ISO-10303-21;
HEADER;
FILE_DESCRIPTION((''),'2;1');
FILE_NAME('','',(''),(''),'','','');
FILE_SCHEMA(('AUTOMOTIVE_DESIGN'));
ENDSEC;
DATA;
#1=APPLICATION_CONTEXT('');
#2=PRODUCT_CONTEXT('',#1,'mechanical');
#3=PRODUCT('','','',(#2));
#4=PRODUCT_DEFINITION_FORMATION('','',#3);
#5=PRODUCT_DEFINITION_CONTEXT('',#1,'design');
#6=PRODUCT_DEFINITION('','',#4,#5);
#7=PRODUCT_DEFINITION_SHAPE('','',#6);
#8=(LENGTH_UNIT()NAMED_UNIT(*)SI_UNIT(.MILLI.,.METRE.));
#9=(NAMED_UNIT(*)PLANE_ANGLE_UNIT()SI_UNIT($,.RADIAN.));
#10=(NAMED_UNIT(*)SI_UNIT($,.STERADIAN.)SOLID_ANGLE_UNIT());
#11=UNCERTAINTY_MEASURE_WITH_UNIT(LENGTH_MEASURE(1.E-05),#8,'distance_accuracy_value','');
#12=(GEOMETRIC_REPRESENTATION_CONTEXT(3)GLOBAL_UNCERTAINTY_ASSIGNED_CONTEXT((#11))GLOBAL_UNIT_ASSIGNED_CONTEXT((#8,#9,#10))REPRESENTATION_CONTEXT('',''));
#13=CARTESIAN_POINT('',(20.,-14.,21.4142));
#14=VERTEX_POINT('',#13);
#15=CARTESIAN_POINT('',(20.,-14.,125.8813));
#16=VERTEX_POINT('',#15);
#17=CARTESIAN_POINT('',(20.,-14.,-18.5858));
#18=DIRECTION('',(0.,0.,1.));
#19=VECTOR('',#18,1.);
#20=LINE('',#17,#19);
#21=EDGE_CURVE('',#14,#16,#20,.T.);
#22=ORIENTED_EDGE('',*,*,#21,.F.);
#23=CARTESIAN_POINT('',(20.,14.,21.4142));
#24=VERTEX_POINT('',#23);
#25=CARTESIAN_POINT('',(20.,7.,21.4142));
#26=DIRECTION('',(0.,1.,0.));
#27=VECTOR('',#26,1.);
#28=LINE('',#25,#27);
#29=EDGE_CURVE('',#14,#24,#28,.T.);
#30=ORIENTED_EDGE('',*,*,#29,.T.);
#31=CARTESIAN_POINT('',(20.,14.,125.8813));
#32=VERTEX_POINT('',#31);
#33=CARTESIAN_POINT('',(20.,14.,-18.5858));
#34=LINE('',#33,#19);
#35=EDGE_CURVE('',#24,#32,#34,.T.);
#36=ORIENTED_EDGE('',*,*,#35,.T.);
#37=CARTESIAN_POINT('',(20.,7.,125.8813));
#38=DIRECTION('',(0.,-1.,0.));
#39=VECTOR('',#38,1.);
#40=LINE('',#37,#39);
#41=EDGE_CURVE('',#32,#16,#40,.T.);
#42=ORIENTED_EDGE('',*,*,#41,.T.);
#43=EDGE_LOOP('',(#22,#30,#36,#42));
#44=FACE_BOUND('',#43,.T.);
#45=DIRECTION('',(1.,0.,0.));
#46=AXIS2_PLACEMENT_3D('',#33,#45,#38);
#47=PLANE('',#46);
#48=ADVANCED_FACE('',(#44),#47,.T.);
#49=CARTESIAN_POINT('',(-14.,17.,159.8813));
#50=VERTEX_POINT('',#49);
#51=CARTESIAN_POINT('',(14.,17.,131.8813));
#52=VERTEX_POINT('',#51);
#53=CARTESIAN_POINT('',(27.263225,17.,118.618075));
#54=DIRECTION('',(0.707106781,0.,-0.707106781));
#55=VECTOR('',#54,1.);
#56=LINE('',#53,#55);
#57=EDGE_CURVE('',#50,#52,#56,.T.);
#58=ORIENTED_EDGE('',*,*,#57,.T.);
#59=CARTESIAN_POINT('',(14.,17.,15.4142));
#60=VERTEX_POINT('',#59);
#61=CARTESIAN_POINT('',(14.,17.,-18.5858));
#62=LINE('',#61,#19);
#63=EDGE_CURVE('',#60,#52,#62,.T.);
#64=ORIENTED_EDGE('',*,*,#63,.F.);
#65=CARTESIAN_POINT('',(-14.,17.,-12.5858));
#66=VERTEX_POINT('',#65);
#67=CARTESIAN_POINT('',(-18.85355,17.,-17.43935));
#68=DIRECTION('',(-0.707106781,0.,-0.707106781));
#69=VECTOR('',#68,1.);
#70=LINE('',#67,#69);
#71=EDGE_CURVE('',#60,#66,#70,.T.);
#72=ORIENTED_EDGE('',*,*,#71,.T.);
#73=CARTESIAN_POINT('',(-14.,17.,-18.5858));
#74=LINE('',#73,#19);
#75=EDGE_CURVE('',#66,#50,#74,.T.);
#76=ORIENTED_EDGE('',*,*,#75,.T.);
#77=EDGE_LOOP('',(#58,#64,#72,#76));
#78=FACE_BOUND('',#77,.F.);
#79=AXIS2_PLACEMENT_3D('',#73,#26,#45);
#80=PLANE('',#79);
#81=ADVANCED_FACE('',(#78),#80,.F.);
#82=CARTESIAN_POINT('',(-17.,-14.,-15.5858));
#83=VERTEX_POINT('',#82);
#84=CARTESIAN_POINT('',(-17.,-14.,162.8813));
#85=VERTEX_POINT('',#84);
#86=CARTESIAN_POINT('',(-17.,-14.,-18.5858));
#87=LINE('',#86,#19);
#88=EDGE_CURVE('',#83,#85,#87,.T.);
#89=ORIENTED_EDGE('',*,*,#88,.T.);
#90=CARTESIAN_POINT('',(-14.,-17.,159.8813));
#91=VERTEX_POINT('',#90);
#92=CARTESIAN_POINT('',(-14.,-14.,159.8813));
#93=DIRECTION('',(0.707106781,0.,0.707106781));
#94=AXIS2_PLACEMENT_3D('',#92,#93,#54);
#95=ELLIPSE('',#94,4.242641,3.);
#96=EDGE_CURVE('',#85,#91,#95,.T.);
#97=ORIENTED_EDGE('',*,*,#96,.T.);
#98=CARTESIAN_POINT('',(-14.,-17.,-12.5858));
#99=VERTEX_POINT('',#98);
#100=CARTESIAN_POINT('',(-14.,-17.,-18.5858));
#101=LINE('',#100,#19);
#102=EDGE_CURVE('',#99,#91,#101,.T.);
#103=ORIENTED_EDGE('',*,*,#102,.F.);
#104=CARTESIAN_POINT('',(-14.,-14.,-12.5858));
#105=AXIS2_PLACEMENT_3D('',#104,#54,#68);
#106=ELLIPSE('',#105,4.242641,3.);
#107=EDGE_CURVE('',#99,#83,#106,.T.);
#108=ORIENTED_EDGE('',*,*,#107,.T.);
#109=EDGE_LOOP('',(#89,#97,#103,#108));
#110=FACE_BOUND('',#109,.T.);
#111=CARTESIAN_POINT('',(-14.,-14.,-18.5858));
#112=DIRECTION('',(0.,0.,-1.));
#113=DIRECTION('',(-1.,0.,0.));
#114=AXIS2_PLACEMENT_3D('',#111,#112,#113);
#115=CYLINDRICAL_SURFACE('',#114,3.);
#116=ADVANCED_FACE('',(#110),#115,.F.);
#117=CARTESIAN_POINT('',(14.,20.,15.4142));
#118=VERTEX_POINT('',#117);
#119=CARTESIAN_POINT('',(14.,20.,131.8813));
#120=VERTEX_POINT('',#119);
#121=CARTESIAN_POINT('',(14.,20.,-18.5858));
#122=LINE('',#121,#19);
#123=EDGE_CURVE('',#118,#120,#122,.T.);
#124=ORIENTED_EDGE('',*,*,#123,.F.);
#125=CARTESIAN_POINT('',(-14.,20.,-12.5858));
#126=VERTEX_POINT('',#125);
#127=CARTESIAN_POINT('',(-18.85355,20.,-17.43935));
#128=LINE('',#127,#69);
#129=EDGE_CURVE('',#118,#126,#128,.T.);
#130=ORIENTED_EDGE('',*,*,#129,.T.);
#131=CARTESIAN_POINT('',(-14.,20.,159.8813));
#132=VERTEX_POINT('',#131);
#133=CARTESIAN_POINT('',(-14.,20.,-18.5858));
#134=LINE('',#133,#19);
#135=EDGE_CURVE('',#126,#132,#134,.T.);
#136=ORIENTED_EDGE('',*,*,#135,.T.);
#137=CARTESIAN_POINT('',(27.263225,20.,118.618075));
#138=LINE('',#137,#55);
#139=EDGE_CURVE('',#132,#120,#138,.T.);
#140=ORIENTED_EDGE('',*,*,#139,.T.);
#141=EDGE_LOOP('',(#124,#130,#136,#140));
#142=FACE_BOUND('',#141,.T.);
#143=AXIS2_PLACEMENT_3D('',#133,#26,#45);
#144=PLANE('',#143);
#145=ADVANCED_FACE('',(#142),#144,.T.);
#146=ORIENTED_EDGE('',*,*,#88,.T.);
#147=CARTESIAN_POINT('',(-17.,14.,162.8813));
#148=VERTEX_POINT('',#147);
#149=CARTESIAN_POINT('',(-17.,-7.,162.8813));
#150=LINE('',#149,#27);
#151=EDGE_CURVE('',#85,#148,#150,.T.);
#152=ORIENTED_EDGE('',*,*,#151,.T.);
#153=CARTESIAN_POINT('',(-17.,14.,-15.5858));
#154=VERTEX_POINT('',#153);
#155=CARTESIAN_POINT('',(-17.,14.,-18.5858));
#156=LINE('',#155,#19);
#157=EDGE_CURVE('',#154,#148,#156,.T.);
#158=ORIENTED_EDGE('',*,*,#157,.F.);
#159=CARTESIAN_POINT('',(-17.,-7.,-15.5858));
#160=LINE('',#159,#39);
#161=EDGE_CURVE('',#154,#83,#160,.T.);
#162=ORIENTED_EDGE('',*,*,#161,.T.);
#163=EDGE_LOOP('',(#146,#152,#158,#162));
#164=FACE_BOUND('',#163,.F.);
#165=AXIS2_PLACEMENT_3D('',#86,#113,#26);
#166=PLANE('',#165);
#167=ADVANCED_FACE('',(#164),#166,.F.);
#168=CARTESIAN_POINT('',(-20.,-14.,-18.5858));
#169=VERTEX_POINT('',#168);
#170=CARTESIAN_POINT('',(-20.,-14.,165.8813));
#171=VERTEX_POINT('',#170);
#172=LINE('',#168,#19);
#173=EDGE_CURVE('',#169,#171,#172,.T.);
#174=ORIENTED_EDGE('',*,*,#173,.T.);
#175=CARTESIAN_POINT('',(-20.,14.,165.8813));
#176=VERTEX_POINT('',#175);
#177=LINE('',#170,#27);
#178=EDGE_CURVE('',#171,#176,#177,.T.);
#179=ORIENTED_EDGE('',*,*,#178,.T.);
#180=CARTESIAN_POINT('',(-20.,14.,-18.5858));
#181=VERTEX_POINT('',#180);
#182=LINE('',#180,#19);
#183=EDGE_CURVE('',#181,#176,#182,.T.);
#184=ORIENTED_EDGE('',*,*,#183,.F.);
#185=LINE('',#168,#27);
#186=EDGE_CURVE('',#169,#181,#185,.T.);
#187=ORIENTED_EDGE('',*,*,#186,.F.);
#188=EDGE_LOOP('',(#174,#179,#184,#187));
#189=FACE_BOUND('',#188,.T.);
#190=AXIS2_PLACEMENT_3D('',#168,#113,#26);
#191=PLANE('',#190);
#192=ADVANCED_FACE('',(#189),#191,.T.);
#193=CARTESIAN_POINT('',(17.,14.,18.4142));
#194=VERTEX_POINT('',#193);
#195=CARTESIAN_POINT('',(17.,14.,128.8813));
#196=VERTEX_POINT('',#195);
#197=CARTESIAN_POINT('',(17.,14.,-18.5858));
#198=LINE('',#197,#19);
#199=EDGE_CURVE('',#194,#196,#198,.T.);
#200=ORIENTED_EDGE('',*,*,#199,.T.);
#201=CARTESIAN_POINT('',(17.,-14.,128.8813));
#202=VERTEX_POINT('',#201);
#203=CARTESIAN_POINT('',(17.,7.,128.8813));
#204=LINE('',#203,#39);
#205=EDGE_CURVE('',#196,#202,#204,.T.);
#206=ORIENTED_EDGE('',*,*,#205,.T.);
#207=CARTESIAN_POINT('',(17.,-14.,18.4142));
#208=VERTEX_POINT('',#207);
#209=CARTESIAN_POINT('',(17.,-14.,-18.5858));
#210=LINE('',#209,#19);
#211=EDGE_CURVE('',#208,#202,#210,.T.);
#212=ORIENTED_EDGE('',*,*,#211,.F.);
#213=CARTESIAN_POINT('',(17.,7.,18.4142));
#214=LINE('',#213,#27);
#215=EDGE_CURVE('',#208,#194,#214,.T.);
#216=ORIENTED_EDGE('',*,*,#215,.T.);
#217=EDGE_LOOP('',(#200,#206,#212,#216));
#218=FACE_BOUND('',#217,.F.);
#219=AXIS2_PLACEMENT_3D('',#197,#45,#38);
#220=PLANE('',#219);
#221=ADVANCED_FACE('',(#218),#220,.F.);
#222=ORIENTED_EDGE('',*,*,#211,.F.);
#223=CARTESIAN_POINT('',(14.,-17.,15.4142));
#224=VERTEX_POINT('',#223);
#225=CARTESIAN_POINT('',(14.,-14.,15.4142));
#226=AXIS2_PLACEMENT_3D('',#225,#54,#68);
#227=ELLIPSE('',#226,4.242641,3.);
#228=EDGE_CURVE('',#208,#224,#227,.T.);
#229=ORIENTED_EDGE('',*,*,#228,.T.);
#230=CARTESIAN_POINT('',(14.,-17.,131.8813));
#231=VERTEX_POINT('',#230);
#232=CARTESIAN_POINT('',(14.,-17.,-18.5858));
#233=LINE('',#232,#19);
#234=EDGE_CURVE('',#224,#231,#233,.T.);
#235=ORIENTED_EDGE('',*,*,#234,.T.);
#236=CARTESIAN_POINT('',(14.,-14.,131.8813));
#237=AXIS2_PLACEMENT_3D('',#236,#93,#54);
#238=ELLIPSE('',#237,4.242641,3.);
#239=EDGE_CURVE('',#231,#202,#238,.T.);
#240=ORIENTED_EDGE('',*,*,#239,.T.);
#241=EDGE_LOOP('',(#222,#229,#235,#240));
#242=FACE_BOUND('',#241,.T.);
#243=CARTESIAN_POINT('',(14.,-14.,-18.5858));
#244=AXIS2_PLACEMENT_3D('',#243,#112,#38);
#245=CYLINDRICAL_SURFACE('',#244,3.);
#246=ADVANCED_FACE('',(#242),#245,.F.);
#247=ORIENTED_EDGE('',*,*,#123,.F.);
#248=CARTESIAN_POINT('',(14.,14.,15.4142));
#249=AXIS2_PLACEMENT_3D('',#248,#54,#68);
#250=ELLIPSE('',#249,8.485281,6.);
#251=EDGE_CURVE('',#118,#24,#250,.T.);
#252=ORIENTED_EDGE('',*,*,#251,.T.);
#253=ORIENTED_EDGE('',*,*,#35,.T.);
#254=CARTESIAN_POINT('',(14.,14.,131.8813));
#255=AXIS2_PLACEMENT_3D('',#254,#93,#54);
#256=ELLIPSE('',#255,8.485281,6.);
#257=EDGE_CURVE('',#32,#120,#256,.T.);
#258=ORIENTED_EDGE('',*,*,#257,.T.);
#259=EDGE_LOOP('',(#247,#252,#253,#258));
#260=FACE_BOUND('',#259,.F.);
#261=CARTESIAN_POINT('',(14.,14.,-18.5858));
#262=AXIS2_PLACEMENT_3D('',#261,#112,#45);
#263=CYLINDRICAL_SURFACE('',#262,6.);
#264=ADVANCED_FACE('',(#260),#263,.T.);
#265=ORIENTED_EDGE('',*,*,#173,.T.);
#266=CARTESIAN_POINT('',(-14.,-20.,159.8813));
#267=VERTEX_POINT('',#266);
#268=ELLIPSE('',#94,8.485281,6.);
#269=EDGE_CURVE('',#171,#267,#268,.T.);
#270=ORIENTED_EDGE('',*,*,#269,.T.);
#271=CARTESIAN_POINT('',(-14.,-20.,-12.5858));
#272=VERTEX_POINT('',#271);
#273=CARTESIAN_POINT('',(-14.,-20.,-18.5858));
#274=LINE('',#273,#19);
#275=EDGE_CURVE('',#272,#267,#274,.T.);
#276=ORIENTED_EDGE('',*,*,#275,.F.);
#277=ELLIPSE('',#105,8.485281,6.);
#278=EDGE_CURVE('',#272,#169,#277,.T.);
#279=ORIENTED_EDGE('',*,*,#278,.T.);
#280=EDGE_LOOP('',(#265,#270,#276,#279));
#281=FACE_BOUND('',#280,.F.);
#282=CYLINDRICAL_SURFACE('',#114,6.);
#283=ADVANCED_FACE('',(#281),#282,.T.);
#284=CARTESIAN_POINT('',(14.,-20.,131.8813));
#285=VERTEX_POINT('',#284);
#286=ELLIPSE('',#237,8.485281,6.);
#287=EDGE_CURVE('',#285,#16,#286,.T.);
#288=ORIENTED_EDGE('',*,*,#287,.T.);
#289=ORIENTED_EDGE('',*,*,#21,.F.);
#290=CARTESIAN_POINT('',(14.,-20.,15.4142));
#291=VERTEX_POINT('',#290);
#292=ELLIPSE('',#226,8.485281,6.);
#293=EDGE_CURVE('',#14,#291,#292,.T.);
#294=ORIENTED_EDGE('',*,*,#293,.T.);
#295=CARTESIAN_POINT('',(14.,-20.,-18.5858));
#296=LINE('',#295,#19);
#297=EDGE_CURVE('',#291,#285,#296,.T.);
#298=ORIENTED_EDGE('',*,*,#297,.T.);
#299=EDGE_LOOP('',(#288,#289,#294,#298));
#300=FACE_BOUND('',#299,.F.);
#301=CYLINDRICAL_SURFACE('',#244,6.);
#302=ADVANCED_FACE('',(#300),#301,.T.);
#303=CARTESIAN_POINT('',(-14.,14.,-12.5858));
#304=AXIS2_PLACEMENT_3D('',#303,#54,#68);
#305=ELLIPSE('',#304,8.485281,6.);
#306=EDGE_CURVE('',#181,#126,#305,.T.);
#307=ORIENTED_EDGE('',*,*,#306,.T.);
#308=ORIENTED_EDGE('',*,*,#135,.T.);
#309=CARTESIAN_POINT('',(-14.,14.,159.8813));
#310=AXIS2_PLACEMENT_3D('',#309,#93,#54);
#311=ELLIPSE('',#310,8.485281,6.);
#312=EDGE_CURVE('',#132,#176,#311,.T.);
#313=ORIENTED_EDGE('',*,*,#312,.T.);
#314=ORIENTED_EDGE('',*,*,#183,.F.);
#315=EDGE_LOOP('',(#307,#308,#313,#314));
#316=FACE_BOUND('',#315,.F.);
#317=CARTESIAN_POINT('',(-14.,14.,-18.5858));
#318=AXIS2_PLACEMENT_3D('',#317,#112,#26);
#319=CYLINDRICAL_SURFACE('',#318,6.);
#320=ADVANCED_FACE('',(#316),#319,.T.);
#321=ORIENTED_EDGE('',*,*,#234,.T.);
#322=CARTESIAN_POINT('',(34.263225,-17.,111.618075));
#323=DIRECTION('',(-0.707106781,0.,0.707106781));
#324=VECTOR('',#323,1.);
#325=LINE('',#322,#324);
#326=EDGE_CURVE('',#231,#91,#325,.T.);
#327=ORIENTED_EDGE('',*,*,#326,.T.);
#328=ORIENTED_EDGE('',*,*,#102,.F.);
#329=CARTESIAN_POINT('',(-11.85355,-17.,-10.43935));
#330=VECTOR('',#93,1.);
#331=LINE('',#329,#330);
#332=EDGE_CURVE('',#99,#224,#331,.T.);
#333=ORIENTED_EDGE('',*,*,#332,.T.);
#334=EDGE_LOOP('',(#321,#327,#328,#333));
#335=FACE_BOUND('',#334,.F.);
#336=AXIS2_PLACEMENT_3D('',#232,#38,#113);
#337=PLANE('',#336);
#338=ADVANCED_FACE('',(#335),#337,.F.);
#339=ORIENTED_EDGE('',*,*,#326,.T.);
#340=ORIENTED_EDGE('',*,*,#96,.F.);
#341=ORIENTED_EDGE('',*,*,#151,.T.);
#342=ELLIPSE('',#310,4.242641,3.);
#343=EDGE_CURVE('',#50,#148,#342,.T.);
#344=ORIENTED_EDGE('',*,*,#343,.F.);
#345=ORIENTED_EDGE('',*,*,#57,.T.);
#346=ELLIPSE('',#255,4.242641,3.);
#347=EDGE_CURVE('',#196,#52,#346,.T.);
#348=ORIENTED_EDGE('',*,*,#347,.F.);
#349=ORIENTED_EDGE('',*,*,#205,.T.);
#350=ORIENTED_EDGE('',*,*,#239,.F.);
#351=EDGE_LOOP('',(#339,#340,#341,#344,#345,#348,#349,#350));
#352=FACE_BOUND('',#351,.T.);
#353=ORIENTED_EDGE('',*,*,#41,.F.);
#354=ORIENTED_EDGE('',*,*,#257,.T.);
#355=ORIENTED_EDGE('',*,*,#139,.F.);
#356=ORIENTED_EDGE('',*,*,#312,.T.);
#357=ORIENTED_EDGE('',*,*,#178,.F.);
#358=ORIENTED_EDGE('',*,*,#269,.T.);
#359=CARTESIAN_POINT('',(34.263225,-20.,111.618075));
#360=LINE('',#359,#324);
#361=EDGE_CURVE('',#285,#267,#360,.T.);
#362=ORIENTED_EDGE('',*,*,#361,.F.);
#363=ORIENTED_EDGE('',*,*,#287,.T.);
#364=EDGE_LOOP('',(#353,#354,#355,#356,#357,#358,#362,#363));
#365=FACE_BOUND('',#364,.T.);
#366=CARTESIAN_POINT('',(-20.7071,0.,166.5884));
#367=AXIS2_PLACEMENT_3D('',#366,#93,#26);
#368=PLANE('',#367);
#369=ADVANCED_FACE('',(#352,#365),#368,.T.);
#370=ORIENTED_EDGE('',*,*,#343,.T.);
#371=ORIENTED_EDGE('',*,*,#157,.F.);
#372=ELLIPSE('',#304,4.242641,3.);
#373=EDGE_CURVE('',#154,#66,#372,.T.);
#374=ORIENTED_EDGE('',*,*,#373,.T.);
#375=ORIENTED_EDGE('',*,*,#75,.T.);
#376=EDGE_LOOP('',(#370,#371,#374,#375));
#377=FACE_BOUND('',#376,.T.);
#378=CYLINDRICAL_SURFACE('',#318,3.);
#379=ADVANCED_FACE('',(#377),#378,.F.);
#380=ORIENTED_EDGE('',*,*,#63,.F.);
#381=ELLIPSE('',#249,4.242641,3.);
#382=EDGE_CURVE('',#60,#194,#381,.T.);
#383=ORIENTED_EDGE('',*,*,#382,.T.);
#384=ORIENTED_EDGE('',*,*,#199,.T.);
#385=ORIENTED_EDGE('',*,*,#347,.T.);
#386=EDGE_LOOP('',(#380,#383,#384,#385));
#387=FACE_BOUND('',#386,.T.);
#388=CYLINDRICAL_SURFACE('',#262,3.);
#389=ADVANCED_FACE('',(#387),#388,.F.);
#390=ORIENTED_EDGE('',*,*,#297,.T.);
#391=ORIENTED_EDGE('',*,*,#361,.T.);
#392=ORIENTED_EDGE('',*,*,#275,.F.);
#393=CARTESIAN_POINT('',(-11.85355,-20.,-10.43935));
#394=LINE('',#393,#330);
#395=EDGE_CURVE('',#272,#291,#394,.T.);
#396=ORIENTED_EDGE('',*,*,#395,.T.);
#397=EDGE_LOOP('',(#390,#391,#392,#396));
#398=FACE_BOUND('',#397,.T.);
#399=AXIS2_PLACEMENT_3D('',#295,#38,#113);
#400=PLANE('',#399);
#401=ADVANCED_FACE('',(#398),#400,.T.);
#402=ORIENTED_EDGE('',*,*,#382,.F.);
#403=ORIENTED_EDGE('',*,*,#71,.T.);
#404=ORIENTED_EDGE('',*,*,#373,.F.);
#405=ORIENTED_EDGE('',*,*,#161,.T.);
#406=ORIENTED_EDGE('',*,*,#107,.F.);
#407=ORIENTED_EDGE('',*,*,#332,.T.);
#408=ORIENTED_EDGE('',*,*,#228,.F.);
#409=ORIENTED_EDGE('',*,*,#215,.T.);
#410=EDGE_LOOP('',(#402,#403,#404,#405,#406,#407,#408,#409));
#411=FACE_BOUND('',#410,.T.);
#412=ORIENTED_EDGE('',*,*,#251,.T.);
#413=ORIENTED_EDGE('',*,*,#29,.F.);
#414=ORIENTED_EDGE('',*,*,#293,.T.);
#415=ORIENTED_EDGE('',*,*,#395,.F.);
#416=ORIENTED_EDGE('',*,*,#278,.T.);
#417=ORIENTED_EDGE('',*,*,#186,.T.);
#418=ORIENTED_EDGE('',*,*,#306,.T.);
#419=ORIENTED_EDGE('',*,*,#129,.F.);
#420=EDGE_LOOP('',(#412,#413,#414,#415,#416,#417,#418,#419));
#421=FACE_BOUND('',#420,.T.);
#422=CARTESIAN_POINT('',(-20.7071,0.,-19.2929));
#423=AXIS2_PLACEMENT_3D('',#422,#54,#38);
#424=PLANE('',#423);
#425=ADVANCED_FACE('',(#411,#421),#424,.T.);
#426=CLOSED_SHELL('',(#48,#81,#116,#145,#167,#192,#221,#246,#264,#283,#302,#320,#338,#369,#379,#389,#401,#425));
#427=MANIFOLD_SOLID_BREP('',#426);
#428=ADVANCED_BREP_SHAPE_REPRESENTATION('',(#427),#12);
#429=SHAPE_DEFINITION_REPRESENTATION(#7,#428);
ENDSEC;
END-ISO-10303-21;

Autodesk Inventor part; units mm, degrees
ref_plane "Start Plane" through (0, 0, -18.5858) normal (0, 0, 1) x (1, 0, 0)
ref_plane "End Plane" through (0, 0, 165.8813) normal (0, 0, 1) x (1, 0, 0)
sketch "Sketch" plane through (0, 0, 0) normal (0, 0, 1) x (1, 0, 0)
  line L0 (-20, -14) -> (-20, 14)
  line L1 (-14, 20) -> (14, 20)
  line L2 (20, 14) -> (20, -14)
  line L3 (14, -20) -> (-14, -20)
  arc A0 (-20, -14) -> (-14, -20) centre (-14, -14) ccw
  arc A1 (20, 14) -> (14, 20) centre (14, 14) ccw
  arc A2 (-14, 20) -> (-20, 14) centre (-14, 14) ccw
  arc A3 (14, -20) -> (20, -14) centre (14, -14) ccw
  arc A4 (-14, 17) -> (-17, 14) centre (-14, 14) ccw
  line L4 (-14, 17) -> (14, 17)
  arc A5 (17, 14) -> (14, 17) centre (14, 14) ccw
  line L5 (17, 14) -> (17, -14)
  arc A6 (14, -17) -> (17, -14) centre (14, -14) ccw
  line L6 (14, -17) -> (-14, -17)
  arc A7 (-17, -14) -> (-14, -17) centre (-14, -14) ccw
  line L7 (-17, -14) -> (-17, 14)
  line L8 (0, 29.7397) -> (0, -29.7397) construction
  line L9 (-29.7397, 0) -> (29.7397, 0) construction
  dimension "d7" = 6
  dimension "d9" = 40
  dimension "d11" = 40
  dimension "d12" = 3
  dimension "d15" = 20
  dimension "d16" = 20
extrude "Body" add sketch "Sketch" along normal up to surface (184.4671 mm away) from surface at -18.5858
sketch "Sketch3" plane through (0, 0, 0) normal (0, 0, 1) x (1, 0, 0)
  line L0 (0, 0) -> (10, 0)
ref_plane "Work Plane3" through (0, 0, 0) normal (0, -1, 0) x (1, 0, 0)
ref_plane "Work Plane4" through (-20.7071, 0, -19.2929) normal (0.7071, 0, -0.7071) x (-0.7071, 0, -0.7071)
split "Split1" plane through (-20.7071, 0, -19.2929) removes the side toward (0.7071, 0, -0.7071)
ref_plane "Work Plane5" through (-20.7071, 0, 166.5884) normal (0.7071, 0, 0.7071) x (0.7071, 0, -0.7071)
split "Split2" plane through (-20.7071, 0, 166.5884) removes the side toward (0.7071, 0, 0.7071)
sketch "Sketch4" plane through (0, 0, 0) normal (0, -1, 0) x (1, 0, 0)
  line L0 (-2, -18.5858) -> (12, -18.5858) projected
  line L1 (-2, 165.8813) -> (12, 165.8813) projected
  dimension "d18" = 184.4671
equation "\"d7\" = G_IR"
equation "\"d9\" = G_W"
equation "\"d11\" = G_H"
equation "\"d12\" = G_T"
equation "\"d15\" = 0.5 * d9"
equation "\"d16\" = 0.5 * d11"
equation "\"d3\" = G_L"
equation "\"G_W\" = 40"
equation "\"G_H\" = 40"
equation "\"G_T\" = 3"
equation "\"G_IR\" = 6"
equation "\"G_L\" = d18"
equation "\"G_OFFSET_START\" = 18.58579"
equation "\"G_OFFSET_END\" = 18.58579"
equation "\"d13\" = -G_OFFSET_START"
equation "\"d14\" = G_OFFSET_END + B_L"
equation "\"B_L\" = 147.29549"
properties part number "ISO 10799-2 - 40x40x3 - 184,47" material "Steel, Mild"
